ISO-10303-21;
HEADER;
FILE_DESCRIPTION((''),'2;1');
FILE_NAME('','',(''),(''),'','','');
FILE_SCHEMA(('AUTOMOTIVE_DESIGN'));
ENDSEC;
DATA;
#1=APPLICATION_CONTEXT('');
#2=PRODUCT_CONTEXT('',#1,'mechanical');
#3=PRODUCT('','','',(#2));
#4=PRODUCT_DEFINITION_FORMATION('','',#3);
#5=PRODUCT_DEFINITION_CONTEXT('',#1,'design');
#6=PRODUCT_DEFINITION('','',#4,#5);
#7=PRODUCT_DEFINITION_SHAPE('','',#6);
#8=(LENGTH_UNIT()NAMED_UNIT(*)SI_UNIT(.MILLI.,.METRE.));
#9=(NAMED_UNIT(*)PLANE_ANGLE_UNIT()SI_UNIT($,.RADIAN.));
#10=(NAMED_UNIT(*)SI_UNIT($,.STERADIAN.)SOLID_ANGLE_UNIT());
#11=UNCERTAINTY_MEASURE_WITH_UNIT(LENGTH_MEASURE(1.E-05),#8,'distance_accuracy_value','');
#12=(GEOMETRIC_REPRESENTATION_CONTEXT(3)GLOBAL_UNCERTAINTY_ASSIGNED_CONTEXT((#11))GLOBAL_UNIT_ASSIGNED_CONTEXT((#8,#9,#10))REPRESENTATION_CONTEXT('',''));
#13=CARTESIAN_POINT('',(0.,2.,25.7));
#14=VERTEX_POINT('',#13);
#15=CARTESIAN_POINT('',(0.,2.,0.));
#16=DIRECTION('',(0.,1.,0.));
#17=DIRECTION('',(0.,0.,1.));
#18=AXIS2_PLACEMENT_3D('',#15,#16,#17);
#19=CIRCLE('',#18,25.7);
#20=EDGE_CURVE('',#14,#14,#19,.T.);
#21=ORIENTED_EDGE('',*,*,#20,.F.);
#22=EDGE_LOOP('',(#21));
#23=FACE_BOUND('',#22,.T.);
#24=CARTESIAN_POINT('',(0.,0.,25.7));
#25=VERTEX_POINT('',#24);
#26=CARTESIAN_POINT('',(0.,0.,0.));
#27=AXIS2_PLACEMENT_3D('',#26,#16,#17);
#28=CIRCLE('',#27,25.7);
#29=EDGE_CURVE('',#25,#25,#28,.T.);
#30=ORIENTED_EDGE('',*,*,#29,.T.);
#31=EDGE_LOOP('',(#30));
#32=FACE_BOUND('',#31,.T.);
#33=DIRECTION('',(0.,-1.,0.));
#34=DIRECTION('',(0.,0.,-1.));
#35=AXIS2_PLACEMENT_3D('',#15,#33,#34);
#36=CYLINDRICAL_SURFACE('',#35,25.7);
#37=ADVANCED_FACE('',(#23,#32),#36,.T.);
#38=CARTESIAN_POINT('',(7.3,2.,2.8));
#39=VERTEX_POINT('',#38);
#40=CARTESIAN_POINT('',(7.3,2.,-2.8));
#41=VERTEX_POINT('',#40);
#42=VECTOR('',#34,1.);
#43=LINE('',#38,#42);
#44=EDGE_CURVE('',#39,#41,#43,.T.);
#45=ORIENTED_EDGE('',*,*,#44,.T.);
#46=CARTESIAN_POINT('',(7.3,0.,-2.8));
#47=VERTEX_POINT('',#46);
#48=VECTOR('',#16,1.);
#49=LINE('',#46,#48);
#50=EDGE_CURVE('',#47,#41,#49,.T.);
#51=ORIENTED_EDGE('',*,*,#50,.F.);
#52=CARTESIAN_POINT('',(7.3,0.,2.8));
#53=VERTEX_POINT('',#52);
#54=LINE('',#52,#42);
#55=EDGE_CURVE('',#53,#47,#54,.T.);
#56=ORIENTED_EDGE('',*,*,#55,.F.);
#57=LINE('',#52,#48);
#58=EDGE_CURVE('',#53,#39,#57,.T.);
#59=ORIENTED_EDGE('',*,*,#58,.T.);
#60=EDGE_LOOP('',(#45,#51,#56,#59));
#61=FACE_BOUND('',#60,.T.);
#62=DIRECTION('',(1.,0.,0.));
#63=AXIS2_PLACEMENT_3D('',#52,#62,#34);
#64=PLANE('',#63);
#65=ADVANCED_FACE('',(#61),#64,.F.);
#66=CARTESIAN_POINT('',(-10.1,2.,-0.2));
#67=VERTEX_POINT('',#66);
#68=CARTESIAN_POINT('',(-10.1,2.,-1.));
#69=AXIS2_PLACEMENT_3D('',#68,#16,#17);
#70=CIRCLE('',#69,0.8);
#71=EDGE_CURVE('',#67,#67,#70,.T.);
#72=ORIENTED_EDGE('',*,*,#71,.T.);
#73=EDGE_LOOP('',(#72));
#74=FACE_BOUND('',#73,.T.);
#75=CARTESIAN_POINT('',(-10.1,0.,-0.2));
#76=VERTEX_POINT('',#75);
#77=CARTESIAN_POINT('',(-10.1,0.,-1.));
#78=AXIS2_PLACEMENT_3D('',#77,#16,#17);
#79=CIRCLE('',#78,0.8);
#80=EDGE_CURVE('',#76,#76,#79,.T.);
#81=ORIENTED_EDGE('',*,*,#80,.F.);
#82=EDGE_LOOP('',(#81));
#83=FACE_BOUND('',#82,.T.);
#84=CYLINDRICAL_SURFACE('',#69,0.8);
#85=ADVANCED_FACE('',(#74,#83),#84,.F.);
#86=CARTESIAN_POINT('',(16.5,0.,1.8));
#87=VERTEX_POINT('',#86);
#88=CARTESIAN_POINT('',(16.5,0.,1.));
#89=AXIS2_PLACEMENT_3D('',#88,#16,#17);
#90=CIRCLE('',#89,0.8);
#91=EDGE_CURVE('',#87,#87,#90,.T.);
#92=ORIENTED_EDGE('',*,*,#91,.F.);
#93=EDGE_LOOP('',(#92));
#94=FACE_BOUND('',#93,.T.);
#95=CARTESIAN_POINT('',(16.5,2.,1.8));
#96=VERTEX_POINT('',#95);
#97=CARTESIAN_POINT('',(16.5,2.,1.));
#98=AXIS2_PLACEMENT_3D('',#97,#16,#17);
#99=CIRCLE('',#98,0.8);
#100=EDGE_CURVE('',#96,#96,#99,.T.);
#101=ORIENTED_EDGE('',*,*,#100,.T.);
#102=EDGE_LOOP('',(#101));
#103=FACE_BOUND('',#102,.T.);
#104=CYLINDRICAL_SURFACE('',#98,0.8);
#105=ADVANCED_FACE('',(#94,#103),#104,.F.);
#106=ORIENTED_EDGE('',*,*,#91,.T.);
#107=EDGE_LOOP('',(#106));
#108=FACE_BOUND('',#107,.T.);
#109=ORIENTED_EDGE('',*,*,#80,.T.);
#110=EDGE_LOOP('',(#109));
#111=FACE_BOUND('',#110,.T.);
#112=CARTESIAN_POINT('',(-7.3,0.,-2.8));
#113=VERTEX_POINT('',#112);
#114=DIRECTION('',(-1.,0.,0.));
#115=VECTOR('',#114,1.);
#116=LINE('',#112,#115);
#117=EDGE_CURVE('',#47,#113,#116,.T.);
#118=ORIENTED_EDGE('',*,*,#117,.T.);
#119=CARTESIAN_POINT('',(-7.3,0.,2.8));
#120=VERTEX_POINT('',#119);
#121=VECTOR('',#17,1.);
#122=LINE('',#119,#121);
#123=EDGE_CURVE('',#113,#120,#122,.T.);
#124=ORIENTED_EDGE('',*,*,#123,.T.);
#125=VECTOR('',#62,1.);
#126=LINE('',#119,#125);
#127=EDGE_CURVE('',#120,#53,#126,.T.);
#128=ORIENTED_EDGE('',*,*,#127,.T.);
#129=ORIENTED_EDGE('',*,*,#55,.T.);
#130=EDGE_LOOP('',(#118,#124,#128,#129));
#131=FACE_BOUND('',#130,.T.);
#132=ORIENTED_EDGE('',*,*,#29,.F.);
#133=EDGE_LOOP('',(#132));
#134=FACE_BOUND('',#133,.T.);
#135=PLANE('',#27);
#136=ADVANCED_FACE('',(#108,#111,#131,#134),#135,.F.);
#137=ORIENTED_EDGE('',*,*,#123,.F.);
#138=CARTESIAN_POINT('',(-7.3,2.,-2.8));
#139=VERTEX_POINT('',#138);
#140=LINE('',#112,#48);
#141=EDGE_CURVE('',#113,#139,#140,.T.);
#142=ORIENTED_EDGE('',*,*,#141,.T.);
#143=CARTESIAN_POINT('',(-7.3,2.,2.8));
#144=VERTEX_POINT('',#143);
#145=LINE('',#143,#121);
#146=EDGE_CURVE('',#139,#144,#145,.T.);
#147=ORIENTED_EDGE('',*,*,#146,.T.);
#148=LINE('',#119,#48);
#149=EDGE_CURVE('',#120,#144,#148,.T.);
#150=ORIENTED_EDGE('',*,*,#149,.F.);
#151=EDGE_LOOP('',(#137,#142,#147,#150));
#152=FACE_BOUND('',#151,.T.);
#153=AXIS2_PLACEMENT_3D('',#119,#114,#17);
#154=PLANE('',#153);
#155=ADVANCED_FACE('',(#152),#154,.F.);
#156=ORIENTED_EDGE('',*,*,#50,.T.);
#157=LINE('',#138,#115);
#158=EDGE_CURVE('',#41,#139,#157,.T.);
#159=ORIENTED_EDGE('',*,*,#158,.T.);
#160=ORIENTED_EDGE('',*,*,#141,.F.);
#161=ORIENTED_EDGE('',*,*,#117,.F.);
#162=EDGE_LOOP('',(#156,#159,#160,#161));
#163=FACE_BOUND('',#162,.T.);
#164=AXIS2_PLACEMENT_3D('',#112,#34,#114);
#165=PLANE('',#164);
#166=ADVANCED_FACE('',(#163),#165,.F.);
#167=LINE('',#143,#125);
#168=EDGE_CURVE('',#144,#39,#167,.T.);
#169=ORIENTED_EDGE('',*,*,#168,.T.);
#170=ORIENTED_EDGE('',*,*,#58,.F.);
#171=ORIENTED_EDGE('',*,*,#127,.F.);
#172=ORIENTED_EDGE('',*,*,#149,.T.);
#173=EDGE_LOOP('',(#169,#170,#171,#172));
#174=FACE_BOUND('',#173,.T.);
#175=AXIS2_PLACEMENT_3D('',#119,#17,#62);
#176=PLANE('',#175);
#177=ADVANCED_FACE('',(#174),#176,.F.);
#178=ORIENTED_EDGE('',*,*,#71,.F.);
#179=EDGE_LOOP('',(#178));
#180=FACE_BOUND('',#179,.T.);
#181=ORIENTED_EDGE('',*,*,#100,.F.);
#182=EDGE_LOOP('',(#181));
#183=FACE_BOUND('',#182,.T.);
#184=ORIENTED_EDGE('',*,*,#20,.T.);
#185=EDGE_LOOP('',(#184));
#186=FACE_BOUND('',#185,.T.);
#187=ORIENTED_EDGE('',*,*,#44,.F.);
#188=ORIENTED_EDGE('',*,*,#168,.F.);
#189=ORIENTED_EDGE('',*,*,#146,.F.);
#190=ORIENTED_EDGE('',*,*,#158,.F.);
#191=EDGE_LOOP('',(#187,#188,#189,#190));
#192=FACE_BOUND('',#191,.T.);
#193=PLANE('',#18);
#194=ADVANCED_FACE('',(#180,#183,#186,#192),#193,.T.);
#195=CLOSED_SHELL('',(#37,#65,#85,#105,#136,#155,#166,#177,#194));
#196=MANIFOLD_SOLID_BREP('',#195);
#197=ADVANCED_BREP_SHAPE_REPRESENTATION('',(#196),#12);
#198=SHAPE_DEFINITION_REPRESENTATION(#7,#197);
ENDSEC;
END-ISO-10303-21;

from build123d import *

# Parameters (mm, degrees)
SKETCH2_R                  = 25.7
BOSS_EXTRUDE1_DEPTH        = 2
SKETCH3_W                  = 14.6
SKETCH3_H                  = 5.6
CUT_EXTRUDE1_DEPTH         = 37.400274724
F_1_6_1_6_DIAMETER_HOLE1_D = 1.6


with BuildPart() as part:
    # Sketch2 → Boss-Extrude1 (new body)
    with BuildSketch(Plane(origin=(0, 0, 0), x_dir=(1, 0, 0), z_dir=(0, 1, 0))):
        with Locations(Location((0, 0, 0), (0, 0, 270))):
            Circle(SKETCH2_R)
    extrude(amount=BOSS_EXTRUDE1_DEPTH)

    # Sketch3 → Cut-Extrude1 (cut, through all)
    with BuildSketch(Plane(origin=(0, 2, 0), x_dir=(1, 0, 0), z_dir=(0, 1, 0))):
        Rectangle(SKETCH3_W, SKETCH3_H)
    extrude(amount=-CUT_EXTRUDE1_DEPTH, mode=Mode.SUBTRACT)

    # Ø1.6 (1.6) Diameter Hole1 (through all)
    with Locations(Plane(origin=(-10.1, 2, -1), x_dir=(0, 0, 1), z_dir=(0, 1, 0))):
        with Locations((0, 0), (2, 26.6)):
            Hole(F_1_6_1_6_DIAMETER_HOLE1_D / 2)


solid = part.part
